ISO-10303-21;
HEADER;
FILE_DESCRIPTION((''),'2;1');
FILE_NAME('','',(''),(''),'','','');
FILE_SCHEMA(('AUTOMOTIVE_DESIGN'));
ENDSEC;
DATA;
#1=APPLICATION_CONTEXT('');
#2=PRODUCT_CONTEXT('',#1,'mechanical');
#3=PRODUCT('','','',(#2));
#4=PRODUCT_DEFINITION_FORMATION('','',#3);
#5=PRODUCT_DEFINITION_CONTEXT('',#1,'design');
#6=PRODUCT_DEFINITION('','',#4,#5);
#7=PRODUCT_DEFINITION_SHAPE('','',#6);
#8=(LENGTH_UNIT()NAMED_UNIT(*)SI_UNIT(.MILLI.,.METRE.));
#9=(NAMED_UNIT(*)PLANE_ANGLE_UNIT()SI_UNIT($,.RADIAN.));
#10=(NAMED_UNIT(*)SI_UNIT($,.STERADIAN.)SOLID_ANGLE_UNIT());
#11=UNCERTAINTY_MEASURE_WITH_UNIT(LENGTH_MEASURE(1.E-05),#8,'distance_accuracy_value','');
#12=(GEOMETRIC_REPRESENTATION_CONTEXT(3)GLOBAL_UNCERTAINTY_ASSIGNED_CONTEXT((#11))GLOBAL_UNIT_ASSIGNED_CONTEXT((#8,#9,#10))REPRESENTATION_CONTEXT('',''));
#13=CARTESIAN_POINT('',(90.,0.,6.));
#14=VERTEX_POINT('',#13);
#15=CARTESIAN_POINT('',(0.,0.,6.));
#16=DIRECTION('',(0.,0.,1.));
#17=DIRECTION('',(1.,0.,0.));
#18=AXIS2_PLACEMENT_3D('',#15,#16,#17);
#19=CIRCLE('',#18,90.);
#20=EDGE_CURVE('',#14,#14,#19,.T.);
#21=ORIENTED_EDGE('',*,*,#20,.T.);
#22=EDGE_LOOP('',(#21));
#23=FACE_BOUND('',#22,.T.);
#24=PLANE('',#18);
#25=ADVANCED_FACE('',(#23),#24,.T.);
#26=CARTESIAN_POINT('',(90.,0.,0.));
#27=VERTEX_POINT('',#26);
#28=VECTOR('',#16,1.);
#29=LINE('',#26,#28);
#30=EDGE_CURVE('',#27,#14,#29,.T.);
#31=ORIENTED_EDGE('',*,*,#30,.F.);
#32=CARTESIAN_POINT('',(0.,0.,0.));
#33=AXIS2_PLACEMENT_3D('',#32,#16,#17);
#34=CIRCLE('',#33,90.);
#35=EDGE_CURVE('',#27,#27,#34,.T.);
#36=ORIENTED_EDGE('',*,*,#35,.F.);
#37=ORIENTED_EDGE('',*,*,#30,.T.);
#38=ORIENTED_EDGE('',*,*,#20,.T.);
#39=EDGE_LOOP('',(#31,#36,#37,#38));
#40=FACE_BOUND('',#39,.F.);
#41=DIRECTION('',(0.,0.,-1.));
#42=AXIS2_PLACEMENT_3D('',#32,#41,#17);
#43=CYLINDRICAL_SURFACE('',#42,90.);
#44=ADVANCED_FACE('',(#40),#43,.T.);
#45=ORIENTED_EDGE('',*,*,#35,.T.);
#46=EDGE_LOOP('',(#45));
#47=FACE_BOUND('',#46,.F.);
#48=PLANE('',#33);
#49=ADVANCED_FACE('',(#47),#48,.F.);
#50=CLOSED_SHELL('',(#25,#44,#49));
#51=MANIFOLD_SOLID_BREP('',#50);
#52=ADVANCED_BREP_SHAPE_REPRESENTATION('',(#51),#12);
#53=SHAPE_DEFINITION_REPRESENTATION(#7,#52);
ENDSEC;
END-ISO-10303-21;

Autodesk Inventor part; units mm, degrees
ref_plane "YZ Plane" through (0, 0, 0) normal (1, 0, 0) x (0, 1, 0)
ref_plane "XZ Plane" through (0, 0, 0) normal (0, 1, 0) x (-1, 0, 0)
ref_plane "XY Plane" through (0, 0, 0) normal (0, 0, 1) x (1, 0, 0)
sketch "Sketch1" plane through (0, 0, 0) normal (0, 0, 1) x (1, 0, 0)
  circle A0 centre (0, 0) radius 90
  dimension "d0" = 180
extrude "Extrusion1" add sketch "Sketch1" along normal blind 6
properties part number "glass"
